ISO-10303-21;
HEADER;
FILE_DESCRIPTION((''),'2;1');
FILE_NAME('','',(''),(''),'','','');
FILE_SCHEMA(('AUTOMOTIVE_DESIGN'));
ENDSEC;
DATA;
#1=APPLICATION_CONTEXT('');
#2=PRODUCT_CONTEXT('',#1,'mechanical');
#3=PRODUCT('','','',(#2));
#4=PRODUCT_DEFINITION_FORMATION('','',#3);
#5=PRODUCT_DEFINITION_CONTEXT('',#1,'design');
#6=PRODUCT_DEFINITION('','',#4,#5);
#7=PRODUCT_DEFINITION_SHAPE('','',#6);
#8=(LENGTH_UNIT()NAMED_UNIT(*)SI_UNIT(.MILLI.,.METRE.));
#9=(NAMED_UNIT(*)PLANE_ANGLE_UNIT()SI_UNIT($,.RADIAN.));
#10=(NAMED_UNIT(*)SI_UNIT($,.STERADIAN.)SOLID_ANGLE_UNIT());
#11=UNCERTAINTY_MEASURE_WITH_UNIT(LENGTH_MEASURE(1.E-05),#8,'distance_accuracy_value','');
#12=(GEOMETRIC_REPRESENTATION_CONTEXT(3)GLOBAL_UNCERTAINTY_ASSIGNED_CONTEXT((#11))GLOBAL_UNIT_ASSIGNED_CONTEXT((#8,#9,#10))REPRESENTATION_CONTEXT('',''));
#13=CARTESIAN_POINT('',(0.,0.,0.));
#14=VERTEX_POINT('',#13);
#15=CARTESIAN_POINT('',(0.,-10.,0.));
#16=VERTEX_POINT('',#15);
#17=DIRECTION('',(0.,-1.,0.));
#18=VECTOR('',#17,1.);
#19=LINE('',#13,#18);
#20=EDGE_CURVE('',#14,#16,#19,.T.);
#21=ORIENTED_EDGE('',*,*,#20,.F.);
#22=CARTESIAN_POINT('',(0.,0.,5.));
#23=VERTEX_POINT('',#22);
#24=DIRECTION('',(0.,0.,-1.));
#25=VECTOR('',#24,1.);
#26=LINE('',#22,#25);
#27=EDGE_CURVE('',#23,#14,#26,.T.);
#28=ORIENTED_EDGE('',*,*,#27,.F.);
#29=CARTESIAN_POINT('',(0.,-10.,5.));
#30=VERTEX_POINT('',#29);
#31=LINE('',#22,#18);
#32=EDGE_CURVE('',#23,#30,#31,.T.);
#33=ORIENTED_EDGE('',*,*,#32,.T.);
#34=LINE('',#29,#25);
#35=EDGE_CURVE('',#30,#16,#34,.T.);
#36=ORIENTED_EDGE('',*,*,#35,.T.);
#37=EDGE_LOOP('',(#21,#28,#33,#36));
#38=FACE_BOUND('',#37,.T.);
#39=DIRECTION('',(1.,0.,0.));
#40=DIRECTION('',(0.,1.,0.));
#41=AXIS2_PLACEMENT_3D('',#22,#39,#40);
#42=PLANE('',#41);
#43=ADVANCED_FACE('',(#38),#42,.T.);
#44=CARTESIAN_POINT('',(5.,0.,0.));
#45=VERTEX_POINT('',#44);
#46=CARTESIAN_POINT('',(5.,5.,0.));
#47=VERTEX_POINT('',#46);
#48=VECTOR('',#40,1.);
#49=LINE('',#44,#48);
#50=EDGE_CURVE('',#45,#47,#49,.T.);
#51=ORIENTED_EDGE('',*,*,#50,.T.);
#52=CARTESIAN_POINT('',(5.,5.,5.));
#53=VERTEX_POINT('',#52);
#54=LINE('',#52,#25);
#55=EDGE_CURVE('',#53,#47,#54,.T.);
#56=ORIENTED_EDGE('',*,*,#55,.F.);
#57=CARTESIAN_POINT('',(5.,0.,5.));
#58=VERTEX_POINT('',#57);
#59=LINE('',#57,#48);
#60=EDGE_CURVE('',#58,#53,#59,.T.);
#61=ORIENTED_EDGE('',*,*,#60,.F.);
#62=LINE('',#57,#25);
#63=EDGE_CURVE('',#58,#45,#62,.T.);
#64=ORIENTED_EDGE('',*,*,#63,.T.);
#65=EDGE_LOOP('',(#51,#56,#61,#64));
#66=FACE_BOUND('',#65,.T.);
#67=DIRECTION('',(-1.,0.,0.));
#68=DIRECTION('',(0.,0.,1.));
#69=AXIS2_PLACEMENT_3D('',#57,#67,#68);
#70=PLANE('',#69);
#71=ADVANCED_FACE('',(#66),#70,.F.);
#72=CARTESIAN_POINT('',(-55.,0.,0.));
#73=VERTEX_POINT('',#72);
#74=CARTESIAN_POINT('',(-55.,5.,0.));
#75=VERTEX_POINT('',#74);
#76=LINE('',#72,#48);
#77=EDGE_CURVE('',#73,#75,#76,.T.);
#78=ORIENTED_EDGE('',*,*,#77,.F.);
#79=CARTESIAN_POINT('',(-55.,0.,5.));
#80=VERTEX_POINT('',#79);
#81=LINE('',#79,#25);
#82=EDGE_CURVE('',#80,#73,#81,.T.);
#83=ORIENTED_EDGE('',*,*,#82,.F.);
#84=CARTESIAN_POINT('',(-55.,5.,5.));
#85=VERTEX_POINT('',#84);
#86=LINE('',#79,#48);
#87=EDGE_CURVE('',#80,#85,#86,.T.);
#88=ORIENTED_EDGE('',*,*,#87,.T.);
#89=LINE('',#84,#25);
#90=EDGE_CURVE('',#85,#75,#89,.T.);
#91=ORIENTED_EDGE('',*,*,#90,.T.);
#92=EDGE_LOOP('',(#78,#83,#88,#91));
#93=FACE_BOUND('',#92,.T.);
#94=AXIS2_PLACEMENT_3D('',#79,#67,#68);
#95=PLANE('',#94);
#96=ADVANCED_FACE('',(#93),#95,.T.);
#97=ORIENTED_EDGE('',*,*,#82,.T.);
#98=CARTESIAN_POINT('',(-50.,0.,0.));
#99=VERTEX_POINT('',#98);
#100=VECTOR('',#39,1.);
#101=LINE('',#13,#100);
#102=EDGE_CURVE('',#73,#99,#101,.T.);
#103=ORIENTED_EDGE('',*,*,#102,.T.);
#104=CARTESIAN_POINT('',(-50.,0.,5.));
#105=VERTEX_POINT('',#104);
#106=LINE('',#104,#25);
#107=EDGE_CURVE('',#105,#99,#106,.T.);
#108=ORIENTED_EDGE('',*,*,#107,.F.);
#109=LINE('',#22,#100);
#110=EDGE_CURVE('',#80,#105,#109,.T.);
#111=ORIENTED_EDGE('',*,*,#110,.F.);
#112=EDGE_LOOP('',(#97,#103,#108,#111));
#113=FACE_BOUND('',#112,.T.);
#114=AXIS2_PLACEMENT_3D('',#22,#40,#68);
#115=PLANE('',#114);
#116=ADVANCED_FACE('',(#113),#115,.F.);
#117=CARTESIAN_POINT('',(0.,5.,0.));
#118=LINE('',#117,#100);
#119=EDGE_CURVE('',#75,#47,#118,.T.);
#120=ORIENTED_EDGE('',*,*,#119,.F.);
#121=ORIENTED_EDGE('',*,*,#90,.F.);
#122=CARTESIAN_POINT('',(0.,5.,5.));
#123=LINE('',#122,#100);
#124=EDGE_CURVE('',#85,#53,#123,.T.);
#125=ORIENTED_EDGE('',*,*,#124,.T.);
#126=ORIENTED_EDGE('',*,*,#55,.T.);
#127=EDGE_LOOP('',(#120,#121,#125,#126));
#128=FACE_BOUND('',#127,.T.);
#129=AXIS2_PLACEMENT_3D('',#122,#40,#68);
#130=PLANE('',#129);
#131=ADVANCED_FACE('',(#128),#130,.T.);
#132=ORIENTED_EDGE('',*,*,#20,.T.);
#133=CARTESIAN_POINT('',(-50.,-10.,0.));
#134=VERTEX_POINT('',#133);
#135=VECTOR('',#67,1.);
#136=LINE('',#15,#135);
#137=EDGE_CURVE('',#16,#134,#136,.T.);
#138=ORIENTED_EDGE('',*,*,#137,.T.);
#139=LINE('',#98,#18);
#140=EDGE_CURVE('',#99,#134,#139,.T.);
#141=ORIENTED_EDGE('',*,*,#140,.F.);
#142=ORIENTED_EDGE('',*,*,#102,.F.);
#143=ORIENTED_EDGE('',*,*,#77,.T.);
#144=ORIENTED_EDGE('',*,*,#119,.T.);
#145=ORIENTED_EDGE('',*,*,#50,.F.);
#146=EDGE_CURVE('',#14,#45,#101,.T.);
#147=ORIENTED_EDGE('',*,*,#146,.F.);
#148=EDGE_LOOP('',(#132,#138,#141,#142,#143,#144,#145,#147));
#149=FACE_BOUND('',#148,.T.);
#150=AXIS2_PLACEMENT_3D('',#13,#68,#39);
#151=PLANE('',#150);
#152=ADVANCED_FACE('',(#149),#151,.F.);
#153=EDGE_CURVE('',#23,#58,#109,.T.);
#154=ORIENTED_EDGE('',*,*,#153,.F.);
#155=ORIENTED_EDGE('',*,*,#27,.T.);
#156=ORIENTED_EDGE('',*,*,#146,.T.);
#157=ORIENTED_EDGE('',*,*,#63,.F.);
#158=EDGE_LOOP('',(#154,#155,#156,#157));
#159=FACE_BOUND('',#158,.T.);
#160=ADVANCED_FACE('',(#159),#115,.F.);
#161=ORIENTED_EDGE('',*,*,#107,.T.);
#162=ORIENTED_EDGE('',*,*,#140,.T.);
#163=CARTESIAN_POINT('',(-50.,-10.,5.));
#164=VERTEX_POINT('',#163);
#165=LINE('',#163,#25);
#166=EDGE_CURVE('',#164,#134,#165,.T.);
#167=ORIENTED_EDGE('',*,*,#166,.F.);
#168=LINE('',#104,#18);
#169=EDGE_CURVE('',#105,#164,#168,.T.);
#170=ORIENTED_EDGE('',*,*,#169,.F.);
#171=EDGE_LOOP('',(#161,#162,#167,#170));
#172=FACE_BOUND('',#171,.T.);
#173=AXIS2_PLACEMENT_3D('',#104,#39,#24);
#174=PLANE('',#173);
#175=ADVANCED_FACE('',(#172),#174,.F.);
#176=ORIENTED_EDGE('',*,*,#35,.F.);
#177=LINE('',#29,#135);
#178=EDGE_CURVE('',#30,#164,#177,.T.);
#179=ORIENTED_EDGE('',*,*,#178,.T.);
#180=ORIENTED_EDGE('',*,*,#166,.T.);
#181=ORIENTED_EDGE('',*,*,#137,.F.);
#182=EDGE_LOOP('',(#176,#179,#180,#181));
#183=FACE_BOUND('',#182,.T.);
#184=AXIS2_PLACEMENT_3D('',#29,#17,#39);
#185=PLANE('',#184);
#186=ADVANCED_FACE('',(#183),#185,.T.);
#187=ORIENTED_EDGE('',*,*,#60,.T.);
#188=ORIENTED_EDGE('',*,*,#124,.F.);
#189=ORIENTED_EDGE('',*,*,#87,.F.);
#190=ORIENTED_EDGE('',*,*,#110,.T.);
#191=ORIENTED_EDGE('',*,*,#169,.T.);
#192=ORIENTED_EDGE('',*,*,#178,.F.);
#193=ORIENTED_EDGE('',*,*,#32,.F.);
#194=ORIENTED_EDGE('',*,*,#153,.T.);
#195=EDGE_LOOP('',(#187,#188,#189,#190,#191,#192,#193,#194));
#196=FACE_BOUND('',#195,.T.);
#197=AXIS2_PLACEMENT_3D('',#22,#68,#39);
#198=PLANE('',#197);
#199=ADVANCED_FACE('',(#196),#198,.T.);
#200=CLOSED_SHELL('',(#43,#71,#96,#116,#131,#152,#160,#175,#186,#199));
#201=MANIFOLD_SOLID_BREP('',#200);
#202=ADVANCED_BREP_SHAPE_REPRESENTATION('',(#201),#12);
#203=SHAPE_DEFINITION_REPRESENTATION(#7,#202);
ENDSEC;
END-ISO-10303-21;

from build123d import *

# Parameters (mm, degrees)
SKETCH1_W           = 50
SKETCH1_H           = 10
BOSS_EXTRUDE1_DEPTH = 5


with BuildPart() as part:
    # Sketch1 → Boss-Extrude1 (new body)
    with BuildSketch(Plane.XY):
        with Locations((-25, -5)):
            Rectangle(SKETCH1_W, SKETCH1_H)
        Polygon((-50, 0), (0, 0), (5, 0), (5, 5), (-55, 5), (-55, 0), align=None)
    extrude(amount=BOSS_EXTRUDE1_DEPTH)


solid = part.part
